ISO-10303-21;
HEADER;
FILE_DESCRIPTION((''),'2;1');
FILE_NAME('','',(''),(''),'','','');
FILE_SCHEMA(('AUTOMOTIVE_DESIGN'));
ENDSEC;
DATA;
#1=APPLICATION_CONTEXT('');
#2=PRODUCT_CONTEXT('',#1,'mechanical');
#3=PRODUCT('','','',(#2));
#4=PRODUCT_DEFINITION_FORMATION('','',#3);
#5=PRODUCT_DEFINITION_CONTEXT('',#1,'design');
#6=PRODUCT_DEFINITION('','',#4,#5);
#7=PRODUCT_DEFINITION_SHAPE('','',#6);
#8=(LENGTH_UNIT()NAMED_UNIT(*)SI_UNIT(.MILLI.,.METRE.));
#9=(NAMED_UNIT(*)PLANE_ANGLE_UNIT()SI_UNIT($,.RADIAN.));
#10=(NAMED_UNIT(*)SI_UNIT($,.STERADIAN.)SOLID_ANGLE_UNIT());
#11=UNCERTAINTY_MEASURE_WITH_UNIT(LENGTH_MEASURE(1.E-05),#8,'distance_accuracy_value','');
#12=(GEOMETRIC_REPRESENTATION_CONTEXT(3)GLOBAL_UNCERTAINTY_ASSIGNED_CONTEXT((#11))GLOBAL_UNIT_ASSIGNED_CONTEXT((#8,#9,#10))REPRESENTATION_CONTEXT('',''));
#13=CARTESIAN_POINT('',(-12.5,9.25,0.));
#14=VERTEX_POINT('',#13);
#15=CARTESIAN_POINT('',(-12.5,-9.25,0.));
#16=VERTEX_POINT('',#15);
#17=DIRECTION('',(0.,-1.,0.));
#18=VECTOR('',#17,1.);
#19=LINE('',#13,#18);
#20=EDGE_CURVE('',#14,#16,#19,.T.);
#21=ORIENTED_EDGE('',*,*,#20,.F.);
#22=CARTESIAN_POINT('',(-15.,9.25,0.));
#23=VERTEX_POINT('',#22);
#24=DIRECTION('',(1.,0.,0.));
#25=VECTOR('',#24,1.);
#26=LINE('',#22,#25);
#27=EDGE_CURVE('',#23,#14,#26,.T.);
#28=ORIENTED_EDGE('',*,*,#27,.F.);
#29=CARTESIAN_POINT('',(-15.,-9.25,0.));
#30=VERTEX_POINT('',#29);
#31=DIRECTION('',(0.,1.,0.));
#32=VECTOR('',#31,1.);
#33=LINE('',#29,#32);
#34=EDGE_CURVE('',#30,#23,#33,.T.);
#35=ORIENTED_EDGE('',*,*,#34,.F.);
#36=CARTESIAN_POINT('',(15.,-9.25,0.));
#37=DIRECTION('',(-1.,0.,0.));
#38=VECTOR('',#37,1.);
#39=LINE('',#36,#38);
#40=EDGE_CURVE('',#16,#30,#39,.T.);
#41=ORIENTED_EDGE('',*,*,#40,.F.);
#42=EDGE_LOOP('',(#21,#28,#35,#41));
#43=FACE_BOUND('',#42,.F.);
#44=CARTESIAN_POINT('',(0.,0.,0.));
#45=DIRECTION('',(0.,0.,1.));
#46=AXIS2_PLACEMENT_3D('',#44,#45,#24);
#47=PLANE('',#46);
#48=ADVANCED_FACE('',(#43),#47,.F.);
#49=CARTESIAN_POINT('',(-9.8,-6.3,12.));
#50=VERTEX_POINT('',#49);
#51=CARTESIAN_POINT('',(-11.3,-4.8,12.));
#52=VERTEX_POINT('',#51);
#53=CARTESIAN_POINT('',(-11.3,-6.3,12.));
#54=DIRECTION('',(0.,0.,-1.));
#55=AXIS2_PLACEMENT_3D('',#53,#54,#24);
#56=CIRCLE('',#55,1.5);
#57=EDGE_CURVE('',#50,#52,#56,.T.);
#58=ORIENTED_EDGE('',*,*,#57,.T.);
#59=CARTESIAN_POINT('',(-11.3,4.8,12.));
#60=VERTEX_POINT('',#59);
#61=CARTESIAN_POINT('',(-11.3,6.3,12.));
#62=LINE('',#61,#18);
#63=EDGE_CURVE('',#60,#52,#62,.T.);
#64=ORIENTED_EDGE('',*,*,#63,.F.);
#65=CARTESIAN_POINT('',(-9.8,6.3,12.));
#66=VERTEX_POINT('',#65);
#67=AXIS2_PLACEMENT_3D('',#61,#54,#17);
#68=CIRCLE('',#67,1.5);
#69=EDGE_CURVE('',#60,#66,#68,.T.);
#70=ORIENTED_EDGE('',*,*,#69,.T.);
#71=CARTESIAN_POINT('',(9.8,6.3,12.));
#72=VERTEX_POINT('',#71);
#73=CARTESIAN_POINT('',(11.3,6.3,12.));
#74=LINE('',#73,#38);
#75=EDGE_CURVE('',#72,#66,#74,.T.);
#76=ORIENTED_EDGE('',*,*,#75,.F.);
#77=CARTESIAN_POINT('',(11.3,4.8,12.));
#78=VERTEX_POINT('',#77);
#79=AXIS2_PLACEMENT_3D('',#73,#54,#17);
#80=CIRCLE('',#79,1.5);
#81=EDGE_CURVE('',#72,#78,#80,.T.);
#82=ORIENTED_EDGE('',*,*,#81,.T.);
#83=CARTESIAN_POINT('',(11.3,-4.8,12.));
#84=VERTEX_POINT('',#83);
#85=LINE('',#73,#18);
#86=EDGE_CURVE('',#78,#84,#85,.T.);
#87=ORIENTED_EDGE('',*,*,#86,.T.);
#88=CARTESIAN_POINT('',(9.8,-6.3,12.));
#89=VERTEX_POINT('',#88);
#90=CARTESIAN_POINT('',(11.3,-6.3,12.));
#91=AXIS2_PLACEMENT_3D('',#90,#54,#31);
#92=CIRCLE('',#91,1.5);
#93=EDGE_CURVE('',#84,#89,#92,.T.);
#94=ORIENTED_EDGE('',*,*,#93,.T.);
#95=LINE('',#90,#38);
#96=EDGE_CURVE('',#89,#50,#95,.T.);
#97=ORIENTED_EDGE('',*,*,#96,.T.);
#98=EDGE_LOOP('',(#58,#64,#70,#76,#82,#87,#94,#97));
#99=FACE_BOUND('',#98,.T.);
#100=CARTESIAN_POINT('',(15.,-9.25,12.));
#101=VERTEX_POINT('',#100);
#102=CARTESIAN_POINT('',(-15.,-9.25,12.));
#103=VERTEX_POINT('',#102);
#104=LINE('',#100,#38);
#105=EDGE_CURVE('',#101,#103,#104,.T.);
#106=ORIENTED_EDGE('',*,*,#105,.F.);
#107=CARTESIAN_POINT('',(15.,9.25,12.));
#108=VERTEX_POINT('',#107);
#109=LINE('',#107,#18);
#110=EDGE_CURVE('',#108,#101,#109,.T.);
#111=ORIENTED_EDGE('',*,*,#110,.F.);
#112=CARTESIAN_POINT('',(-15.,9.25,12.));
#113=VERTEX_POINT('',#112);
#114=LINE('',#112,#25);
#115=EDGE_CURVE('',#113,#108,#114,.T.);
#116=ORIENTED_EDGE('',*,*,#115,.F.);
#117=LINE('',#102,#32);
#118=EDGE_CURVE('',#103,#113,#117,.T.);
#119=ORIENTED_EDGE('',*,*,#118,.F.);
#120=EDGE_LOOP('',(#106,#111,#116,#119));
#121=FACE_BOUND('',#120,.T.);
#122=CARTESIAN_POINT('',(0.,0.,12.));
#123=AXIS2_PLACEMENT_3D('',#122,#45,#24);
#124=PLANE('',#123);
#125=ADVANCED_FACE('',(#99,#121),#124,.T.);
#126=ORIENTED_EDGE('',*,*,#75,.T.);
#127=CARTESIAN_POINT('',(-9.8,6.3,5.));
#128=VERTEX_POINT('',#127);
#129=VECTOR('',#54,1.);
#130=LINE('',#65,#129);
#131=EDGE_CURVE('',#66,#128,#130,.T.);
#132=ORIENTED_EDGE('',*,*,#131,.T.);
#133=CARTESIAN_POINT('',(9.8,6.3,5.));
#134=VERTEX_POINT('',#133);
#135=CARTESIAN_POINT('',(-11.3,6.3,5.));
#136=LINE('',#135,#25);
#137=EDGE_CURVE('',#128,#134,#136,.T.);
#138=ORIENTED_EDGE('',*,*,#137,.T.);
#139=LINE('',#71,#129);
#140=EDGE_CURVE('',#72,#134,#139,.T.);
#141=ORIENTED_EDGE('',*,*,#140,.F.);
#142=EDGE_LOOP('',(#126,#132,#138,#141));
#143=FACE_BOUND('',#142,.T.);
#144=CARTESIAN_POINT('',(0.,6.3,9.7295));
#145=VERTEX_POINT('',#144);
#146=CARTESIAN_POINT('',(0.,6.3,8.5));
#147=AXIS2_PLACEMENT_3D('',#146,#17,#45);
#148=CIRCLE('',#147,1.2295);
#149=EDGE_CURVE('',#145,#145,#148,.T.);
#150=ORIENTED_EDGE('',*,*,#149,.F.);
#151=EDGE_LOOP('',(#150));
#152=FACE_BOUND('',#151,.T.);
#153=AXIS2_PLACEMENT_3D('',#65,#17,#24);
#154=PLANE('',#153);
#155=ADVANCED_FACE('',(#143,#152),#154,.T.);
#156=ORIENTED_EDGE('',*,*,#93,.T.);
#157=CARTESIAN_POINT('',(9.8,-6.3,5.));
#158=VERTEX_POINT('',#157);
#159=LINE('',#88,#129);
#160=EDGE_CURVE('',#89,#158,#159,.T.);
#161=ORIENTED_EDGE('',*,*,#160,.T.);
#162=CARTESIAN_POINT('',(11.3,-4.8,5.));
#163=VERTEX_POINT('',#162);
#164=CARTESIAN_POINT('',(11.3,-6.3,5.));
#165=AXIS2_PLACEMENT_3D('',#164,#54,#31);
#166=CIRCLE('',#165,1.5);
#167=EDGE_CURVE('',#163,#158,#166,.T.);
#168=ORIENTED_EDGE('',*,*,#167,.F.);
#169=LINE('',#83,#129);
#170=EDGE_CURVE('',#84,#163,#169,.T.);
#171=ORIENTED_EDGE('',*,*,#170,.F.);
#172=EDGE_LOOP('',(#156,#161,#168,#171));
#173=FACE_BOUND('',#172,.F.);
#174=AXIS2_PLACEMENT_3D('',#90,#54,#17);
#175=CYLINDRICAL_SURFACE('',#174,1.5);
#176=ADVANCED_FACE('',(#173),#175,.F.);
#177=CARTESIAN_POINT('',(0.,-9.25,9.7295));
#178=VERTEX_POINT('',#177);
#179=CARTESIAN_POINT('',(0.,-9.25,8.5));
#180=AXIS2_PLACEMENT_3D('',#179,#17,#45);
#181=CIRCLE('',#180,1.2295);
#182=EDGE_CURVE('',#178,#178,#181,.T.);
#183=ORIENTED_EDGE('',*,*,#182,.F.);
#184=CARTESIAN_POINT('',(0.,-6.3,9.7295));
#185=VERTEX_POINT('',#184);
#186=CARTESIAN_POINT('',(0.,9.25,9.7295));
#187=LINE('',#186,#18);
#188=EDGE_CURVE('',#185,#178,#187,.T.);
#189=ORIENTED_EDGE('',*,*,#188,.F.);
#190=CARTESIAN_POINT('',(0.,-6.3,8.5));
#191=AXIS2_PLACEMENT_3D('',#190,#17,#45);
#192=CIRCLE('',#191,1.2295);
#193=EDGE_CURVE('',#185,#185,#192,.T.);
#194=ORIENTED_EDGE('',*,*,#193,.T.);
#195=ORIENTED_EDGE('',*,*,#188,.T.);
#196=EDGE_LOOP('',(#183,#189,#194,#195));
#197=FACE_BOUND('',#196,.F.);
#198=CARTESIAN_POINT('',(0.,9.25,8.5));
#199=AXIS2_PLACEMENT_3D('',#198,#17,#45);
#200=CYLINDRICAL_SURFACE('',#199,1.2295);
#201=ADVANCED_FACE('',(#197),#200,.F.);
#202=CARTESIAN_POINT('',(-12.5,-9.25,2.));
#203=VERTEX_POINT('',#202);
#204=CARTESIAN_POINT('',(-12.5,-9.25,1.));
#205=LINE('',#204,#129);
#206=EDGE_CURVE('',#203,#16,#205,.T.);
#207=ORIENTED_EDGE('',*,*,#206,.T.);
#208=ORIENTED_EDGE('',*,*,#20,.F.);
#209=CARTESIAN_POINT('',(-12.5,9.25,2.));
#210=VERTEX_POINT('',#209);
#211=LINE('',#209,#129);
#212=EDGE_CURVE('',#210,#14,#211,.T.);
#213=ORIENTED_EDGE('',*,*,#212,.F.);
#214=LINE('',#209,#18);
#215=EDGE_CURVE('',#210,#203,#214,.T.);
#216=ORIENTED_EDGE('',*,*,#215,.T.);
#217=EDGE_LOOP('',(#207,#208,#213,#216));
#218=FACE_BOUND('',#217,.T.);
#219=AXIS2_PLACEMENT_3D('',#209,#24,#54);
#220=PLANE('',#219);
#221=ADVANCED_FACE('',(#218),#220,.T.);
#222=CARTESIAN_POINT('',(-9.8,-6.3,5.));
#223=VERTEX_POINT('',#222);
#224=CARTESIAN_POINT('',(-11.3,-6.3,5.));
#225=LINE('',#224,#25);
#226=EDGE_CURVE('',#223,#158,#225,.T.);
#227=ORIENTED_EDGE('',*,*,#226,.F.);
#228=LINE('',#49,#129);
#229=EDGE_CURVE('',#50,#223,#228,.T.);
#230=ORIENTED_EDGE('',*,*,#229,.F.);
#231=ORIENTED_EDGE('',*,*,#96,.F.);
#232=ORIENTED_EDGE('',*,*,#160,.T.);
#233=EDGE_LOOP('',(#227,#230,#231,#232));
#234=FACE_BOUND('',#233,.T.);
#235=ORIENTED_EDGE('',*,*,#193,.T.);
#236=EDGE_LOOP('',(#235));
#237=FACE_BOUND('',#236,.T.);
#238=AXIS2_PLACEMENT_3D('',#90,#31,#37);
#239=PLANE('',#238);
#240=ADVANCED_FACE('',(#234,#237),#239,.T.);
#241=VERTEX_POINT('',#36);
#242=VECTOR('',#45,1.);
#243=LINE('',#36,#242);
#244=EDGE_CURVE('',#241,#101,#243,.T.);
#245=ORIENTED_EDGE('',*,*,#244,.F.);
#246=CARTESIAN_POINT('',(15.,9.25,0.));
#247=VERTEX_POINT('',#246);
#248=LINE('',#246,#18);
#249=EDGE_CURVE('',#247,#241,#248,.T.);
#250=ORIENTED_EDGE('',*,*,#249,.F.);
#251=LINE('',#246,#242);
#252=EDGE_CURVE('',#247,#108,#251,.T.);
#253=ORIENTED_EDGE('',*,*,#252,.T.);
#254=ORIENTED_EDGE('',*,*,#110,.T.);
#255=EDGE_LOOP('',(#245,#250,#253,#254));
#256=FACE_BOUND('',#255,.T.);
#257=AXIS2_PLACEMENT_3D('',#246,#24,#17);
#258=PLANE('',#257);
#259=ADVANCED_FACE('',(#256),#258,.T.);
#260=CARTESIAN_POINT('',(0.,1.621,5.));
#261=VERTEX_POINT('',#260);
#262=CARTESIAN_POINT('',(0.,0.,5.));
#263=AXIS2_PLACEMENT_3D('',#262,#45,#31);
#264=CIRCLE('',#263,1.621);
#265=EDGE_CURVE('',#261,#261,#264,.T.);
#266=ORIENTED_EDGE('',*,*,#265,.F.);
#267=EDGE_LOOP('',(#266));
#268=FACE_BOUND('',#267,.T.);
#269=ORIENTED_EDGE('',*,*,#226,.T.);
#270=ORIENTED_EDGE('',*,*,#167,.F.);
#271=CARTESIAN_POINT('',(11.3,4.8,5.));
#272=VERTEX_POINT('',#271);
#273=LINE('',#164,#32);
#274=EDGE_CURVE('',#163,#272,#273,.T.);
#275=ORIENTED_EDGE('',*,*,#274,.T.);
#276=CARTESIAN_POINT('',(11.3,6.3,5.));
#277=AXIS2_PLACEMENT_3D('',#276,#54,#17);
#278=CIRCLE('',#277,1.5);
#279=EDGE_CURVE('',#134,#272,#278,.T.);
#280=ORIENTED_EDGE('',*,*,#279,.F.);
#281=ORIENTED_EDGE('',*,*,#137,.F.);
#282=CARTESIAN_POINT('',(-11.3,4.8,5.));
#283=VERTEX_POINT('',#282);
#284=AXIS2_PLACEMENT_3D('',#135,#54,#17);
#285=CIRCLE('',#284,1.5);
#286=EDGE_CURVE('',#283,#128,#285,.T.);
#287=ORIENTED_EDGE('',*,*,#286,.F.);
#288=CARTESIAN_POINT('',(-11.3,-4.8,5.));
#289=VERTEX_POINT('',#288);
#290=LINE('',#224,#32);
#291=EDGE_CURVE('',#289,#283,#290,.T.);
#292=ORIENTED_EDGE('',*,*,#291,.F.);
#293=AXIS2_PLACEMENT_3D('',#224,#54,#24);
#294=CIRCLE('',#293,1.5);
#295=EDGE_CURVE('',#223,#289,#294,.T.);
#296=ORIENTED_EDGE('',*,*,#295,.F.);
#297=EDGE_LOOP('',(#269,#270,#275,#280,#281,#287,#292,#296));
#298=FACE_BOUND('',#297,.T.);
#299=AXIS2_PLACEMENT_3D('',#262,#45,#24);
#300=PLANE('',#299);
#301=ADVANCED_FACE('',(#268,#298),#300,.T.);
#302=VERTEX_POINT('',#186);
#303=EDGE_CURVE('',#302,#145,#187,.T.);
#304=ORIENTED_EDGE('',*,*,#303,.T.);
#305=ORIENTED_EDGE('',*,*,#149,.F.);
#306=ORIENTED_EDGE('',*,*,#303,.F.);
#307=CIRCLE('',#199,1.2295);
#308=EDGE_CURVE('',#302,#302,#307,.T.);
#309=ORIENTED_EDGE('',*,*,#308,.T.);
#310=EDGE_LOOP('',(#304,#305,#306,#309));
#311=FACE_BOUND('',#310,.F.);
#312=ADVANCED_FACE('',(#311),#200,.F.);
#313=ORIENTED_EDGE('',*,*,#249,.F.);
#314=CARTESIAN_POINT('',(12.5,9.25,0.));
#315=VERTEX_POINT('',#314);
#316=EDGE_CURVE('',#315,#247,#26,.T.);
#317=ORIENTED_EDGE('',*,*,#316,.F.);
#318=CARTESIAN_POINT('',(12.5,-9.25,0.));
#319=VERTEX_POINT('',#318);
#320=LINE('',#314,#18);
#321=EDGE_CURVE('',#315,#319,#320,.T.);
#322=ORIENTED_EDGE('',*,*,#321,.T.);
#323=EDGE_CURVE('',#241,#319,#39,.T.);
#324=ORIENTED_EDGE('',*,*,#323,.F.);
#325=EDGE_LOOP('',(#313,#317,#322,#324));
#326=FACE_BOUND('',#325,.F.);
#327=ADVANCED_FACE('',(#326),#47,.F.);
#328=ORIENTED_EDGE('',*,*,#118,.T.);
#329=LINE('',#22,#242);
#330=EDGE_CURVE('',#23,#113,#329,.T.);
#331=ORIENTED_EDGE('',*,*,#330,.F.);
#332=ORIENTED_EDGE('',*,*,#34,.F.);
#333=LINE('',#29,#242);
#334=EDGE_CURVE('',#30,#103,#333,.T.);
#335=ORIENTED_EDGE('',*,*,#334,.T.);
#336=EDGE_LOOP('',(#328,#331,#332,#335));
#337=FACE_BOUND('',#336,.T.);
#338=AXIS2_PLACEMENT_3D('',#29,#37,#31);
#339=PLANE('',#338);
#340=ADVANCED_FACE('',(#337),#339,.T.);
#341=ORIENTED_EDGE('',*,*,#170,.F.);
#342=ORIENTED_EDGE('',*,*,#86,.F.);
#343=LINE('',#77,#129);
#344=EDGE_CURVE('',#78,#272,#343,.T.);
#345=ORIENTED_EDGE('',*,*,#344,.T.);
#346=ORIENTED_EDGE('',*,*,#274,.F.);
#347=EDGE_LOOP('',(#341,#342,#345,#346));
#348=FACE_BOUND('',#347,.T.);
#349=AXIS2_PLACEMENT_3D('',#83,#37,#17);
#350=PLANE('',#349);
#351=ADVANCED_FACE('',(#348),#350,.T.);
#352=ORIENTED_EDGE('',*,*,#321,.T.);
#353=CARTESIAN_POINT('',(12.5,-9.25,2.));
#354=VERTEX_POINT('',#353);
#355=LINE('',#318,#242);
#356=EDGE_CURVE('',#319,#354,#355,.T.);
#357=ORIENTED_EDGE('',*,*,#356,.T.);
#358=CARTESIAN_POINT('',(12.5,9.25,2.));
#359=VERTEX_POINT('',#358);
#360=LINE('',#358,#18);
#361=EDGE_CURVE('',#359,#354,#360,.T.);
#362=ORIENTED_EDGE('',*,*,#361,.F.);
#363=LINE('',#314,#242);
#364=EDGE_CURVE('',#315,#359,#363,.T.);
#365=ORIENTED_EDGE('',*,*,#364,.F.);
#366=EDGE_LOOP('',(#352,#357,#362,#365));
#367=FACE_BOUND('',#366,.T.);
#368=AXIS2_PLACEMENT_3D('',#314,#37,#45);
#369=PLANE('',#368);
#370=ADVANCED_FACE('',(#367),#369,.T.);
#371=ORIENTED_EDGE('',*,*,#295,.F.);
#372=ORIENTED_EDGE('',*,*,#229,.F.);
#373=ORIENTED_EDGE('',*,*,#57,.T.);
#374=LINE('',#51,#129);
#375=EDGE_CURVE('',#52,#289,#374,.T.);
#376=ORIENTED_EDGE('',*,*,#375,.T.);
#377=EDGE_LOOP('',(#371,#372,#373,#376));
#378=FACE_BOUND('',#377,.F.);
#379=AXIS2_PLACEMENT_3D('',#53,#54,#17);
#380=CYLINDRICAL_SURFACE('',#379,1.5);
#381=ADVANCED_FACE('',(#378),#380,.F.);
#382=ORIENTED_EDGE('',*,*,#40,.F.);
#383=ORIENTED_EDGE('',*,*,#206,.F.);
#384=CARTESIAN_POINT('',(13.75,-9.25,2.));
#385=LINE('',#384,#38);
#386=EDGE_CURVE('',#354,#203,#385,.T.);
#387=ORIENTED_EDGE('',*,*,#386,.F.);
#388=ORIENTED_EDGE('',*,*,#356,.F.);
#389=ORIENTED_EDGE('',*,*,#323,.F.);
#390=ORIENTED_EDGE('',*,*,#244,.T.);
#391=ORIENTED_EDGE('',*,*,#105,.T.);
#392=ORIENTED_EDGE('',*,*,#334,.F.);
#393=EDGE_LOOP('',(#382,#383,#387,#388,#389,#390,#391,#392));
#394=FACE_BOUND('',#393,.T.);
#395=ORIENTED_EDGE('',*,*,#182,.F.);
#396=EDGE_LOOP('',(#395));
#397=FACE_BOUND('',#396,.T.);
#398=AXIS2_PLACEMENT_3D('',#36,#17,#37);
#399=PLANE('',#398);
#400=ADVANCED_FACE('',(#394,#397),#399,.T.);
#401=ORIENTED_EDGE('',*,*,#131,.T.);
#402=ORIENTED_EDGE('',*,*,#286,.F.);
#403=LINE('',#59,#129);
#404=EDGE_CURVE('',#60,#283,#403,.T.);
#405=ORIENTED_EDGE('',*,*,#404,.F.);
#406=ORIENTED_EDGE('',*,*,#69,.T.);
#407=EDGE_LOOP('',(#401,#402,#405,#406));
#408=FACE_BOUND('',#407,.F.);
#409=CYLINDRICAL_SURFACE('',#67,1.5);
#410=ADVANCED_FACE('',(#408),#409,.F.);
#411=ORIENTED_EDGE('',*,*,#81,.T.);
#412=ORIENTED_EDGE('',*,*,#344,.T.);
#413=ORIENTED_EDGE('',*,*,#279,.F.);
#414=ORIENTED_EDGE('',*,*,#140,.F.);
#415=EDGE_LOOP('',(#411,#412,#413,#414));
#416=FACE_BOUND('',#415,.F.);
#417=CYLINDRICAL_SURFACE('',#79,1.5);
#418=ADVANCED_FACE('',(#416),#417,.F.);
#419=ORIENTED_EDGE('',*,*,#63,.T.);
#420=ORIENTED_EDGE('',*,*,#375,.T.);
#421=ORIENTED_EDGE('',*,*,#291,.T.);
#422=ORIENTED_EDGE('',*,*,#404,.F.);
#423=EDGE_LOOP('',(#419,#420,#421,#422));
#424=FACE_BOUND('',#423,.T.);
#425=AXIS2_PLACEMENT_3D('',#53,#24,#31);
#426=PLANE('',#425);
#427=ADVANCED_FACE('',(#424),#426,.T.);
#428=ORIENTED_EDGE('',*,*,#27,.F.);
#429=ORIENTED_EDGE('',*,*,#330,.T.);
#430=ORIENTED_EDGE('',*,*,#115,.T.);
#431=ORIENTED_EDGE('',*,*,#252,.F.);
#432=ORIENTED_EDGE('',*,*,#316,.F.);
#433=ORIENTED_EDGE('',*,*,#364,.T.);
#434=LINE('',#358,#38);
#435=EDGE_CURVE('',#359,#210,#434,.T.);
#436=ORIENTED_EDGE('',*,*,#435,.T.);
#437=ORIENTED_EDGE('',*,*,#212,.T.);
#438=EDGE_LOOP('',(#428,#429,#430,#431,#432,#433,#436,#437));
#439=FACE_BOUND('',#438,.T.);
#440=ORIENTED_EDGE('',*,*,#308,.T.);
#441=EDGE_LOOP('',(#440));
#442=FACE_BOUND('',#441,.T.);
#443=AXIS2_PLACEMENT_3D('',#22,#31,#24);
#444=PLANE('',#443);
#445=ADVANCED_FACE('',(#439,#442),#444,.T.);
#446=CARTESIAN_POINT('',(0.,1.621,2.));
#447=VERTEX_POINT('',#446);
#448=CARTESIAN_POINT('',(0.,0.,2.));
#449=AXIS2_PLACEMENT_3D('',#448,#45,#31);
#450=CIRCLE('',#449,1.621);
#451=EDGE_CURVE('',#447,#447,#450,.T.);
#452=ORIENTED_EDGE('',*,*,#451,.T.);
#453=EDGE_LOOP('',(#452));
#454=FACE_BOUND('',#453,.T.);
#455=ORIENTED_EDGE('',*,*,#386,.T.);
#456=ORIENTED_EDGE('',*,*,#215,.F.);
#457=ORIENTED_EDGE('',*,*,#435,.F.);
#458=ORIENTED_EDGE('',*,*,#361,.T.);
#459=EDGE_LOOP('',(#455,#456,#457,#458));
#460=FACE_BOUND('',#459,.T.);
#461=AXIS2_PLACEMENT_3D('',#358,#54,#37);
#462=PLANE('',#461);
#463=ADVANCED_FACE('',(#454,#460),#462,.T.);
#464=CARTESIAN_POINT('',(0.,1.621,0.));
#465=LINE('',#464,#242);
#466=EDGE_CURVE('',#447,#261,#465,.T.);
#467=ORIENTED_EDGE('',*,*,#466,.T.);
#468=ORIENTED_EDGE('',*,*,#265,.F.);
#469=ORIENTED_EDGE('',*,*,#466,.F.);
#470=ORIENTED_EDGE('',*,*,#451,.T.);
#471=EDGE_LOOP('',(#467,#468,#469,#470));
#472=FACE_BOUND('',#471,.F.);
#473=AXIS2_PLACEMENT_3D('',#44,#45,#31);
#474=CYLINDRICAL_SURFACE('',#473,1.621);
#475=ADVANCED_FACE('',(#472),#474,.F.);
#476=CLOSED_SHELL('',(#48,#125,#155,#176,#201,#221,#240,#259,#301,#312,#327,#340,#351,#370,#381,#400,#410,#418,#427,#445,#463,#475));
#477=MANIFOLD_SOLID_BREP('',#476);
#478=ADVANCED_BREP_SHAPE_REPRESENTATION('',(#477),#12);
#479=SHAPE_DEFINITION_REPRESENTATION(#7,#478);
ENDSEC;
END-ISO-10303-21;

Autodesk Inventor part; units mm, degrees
ref_plane "YZ Plane" through (0, 0, 0) normal (1, 0, 0) x (0, 1, 0)
ref_plane "XZ Plane" through (0, 0, 0) normal (0, 1, 0) x (-1, 0, 0)
ref_plane "XY Plane" through (0, 0, 0) normal (0, 0, 1) x (1, 0, 0)
sketch "Sketch1" plane through (0, 0, 0) normal (0, 0, 1) x (1, 0, 0)
  line L0 (0, 12.95) -> (0, -12.95) construction
  line L1 (-21, 0) -> (21, 0) construction
  line L2 (-15, 9.25) -> (15, 9.25)
  line L3 (15, 9.25) -> (15, -9.25)
  line L4 (15, -9.25) -> (-15, -9.25)
  line L5 (-15, -9.25) -> (-15, 9.25)
  point P0 (0, 0)
  dimension "d0" = 18.5
  dimension "d1" = 30
extrude "Extrusion1" add sketch "Sketch1" along normal blind 12
sketch "Sketch2" plane through (0, 0, 0) normal (0, 0, -1) x (-1, 0, 0)
  line L0 (-15, 9.25) -> (15, -9.25) construction
  line L1 (15, 9.25) -> (-15, -9.25) construction
  point P0 (0, 0)
  point P1 (0, 0)
hole "Hole1" at (0, 0, 0) direction (0, 0, 1) diameter 3.242 end through all thread size "M4x0.7" class "6H" standard "ISO Metric profile"
sketch "Sketch3" plane through (0, 0, 12) normal (0, 0, 1) x (1, 0, 0)
  line L0 (15, 9.25) -> (15, -9.25) projected
  line L1 (-15, 9.25) -> (15, 9.25) projected
  line L2 (-15, -9.25) -> (-15, 9.25) projected
  line L3 (15, -9.25) -> (-15, -9.25) projected
  line L4 (-15, 0) -> (15, 0) construction
  line L5 (0, 9.25) -> (0, -9.25) construction
  line L6 (-11.3, 6.3) -> (11.3, 6.3) construction
  line L7 (11.3, 6.3) -> (11.3, -6.3) construction
  line L8 (11.3, -6.3) -> (-11.3, -6.3) construction
  line L9 (-11.3, -6.3) -> (-11.3, 6.3) construction
  dimension "d11" = 12.6
  dimension "d12" = 22.6
hole "Hole2" at (-11.3, 6.3, 12) at (11.3, 6.3, 12) at (11.3, -6.3, 12) at (-11.3, -6.3, 12) direction (0, 0, -1) diameter 3 depth 7
sketch "Sketch4" plane through (0, 0, 12) normal (0, 0, 1) x (1, 0, 0)
  circle A0 centre (11.3, -6.3) radius 1.5 projected
  circle A1 centre (-11.3, 6.3) radius 1.5 projected
  circle A2 centre (0, 0) radius 1.621 projected
  line L0 (-11.3, 6.3) -> (11.3, 6.3)
  line L1 (11.3, 6.3) -> (11.3, -6.3)
  line L2 (11.3, -6.3) -> (-11.3, -6.3)
  line L3 (-11.3, -6.3) -> (-11.3, 6.3)
extrude "Extrusion2" cut sketch "Sketch4" against normal blind 7 contours L1 L2 A0 | A0 L2 L3 A1 L0 L1 | A1 L3 L0 picked at (10.3125, -6.1887) picked at (-10.4586, 5.7713)
sketch "Sketch5" plane through (-15, 9.25, 0) normal (0, 1, 0) x (1, 0, 0)
  line L0 (5.2, -12) -> (5.2, -5) construction
  line L1 (24.8, -12) -> (5.2, -12) construction
  line L2 (24.8, -5) -> (24.8, -12) construction
  line L3 (5.2, -5) -> (24.8, -5) construction
  line L4 (24.8, -8.5) -> (5.2, -8.5) construction
  point P0 (15, 0)
  point P1 (15, -8.5)
  dimension "d33" = 9.8
hole "Hole3" at (0, 9.25, 8.5) direction (0, -1, 0) diameter 2.459 end through all thread size "M3x0.5" class "6H" standard "ANSI Metric M Profile"
sketch "Sketch6" plane through (-15, 9.25, 0) normal (0, 1, 0) x (1, 0, 0)
  line L0 (0, 0) -> (30, 0) projected
  line L1 (15, 2.4) -> (15, -14.4) construction
  line L2 (2.5, 0) -> (27.5, 0)
  line L3 (27.5, 0) -> (27.5, -2)
  line L4 (27.5, -2) -> (2.5, -2)
  line L5 (2.5, -2) -> (2.5, 0)
  point P0 (15, 0)
  dimension "d29" = 25
  dimension "d30" = 2
extrude "Extrusion3" cut sketch "Sketch6" against normal up to next
properties part number "Küvettenklammer_20mm_version3"
